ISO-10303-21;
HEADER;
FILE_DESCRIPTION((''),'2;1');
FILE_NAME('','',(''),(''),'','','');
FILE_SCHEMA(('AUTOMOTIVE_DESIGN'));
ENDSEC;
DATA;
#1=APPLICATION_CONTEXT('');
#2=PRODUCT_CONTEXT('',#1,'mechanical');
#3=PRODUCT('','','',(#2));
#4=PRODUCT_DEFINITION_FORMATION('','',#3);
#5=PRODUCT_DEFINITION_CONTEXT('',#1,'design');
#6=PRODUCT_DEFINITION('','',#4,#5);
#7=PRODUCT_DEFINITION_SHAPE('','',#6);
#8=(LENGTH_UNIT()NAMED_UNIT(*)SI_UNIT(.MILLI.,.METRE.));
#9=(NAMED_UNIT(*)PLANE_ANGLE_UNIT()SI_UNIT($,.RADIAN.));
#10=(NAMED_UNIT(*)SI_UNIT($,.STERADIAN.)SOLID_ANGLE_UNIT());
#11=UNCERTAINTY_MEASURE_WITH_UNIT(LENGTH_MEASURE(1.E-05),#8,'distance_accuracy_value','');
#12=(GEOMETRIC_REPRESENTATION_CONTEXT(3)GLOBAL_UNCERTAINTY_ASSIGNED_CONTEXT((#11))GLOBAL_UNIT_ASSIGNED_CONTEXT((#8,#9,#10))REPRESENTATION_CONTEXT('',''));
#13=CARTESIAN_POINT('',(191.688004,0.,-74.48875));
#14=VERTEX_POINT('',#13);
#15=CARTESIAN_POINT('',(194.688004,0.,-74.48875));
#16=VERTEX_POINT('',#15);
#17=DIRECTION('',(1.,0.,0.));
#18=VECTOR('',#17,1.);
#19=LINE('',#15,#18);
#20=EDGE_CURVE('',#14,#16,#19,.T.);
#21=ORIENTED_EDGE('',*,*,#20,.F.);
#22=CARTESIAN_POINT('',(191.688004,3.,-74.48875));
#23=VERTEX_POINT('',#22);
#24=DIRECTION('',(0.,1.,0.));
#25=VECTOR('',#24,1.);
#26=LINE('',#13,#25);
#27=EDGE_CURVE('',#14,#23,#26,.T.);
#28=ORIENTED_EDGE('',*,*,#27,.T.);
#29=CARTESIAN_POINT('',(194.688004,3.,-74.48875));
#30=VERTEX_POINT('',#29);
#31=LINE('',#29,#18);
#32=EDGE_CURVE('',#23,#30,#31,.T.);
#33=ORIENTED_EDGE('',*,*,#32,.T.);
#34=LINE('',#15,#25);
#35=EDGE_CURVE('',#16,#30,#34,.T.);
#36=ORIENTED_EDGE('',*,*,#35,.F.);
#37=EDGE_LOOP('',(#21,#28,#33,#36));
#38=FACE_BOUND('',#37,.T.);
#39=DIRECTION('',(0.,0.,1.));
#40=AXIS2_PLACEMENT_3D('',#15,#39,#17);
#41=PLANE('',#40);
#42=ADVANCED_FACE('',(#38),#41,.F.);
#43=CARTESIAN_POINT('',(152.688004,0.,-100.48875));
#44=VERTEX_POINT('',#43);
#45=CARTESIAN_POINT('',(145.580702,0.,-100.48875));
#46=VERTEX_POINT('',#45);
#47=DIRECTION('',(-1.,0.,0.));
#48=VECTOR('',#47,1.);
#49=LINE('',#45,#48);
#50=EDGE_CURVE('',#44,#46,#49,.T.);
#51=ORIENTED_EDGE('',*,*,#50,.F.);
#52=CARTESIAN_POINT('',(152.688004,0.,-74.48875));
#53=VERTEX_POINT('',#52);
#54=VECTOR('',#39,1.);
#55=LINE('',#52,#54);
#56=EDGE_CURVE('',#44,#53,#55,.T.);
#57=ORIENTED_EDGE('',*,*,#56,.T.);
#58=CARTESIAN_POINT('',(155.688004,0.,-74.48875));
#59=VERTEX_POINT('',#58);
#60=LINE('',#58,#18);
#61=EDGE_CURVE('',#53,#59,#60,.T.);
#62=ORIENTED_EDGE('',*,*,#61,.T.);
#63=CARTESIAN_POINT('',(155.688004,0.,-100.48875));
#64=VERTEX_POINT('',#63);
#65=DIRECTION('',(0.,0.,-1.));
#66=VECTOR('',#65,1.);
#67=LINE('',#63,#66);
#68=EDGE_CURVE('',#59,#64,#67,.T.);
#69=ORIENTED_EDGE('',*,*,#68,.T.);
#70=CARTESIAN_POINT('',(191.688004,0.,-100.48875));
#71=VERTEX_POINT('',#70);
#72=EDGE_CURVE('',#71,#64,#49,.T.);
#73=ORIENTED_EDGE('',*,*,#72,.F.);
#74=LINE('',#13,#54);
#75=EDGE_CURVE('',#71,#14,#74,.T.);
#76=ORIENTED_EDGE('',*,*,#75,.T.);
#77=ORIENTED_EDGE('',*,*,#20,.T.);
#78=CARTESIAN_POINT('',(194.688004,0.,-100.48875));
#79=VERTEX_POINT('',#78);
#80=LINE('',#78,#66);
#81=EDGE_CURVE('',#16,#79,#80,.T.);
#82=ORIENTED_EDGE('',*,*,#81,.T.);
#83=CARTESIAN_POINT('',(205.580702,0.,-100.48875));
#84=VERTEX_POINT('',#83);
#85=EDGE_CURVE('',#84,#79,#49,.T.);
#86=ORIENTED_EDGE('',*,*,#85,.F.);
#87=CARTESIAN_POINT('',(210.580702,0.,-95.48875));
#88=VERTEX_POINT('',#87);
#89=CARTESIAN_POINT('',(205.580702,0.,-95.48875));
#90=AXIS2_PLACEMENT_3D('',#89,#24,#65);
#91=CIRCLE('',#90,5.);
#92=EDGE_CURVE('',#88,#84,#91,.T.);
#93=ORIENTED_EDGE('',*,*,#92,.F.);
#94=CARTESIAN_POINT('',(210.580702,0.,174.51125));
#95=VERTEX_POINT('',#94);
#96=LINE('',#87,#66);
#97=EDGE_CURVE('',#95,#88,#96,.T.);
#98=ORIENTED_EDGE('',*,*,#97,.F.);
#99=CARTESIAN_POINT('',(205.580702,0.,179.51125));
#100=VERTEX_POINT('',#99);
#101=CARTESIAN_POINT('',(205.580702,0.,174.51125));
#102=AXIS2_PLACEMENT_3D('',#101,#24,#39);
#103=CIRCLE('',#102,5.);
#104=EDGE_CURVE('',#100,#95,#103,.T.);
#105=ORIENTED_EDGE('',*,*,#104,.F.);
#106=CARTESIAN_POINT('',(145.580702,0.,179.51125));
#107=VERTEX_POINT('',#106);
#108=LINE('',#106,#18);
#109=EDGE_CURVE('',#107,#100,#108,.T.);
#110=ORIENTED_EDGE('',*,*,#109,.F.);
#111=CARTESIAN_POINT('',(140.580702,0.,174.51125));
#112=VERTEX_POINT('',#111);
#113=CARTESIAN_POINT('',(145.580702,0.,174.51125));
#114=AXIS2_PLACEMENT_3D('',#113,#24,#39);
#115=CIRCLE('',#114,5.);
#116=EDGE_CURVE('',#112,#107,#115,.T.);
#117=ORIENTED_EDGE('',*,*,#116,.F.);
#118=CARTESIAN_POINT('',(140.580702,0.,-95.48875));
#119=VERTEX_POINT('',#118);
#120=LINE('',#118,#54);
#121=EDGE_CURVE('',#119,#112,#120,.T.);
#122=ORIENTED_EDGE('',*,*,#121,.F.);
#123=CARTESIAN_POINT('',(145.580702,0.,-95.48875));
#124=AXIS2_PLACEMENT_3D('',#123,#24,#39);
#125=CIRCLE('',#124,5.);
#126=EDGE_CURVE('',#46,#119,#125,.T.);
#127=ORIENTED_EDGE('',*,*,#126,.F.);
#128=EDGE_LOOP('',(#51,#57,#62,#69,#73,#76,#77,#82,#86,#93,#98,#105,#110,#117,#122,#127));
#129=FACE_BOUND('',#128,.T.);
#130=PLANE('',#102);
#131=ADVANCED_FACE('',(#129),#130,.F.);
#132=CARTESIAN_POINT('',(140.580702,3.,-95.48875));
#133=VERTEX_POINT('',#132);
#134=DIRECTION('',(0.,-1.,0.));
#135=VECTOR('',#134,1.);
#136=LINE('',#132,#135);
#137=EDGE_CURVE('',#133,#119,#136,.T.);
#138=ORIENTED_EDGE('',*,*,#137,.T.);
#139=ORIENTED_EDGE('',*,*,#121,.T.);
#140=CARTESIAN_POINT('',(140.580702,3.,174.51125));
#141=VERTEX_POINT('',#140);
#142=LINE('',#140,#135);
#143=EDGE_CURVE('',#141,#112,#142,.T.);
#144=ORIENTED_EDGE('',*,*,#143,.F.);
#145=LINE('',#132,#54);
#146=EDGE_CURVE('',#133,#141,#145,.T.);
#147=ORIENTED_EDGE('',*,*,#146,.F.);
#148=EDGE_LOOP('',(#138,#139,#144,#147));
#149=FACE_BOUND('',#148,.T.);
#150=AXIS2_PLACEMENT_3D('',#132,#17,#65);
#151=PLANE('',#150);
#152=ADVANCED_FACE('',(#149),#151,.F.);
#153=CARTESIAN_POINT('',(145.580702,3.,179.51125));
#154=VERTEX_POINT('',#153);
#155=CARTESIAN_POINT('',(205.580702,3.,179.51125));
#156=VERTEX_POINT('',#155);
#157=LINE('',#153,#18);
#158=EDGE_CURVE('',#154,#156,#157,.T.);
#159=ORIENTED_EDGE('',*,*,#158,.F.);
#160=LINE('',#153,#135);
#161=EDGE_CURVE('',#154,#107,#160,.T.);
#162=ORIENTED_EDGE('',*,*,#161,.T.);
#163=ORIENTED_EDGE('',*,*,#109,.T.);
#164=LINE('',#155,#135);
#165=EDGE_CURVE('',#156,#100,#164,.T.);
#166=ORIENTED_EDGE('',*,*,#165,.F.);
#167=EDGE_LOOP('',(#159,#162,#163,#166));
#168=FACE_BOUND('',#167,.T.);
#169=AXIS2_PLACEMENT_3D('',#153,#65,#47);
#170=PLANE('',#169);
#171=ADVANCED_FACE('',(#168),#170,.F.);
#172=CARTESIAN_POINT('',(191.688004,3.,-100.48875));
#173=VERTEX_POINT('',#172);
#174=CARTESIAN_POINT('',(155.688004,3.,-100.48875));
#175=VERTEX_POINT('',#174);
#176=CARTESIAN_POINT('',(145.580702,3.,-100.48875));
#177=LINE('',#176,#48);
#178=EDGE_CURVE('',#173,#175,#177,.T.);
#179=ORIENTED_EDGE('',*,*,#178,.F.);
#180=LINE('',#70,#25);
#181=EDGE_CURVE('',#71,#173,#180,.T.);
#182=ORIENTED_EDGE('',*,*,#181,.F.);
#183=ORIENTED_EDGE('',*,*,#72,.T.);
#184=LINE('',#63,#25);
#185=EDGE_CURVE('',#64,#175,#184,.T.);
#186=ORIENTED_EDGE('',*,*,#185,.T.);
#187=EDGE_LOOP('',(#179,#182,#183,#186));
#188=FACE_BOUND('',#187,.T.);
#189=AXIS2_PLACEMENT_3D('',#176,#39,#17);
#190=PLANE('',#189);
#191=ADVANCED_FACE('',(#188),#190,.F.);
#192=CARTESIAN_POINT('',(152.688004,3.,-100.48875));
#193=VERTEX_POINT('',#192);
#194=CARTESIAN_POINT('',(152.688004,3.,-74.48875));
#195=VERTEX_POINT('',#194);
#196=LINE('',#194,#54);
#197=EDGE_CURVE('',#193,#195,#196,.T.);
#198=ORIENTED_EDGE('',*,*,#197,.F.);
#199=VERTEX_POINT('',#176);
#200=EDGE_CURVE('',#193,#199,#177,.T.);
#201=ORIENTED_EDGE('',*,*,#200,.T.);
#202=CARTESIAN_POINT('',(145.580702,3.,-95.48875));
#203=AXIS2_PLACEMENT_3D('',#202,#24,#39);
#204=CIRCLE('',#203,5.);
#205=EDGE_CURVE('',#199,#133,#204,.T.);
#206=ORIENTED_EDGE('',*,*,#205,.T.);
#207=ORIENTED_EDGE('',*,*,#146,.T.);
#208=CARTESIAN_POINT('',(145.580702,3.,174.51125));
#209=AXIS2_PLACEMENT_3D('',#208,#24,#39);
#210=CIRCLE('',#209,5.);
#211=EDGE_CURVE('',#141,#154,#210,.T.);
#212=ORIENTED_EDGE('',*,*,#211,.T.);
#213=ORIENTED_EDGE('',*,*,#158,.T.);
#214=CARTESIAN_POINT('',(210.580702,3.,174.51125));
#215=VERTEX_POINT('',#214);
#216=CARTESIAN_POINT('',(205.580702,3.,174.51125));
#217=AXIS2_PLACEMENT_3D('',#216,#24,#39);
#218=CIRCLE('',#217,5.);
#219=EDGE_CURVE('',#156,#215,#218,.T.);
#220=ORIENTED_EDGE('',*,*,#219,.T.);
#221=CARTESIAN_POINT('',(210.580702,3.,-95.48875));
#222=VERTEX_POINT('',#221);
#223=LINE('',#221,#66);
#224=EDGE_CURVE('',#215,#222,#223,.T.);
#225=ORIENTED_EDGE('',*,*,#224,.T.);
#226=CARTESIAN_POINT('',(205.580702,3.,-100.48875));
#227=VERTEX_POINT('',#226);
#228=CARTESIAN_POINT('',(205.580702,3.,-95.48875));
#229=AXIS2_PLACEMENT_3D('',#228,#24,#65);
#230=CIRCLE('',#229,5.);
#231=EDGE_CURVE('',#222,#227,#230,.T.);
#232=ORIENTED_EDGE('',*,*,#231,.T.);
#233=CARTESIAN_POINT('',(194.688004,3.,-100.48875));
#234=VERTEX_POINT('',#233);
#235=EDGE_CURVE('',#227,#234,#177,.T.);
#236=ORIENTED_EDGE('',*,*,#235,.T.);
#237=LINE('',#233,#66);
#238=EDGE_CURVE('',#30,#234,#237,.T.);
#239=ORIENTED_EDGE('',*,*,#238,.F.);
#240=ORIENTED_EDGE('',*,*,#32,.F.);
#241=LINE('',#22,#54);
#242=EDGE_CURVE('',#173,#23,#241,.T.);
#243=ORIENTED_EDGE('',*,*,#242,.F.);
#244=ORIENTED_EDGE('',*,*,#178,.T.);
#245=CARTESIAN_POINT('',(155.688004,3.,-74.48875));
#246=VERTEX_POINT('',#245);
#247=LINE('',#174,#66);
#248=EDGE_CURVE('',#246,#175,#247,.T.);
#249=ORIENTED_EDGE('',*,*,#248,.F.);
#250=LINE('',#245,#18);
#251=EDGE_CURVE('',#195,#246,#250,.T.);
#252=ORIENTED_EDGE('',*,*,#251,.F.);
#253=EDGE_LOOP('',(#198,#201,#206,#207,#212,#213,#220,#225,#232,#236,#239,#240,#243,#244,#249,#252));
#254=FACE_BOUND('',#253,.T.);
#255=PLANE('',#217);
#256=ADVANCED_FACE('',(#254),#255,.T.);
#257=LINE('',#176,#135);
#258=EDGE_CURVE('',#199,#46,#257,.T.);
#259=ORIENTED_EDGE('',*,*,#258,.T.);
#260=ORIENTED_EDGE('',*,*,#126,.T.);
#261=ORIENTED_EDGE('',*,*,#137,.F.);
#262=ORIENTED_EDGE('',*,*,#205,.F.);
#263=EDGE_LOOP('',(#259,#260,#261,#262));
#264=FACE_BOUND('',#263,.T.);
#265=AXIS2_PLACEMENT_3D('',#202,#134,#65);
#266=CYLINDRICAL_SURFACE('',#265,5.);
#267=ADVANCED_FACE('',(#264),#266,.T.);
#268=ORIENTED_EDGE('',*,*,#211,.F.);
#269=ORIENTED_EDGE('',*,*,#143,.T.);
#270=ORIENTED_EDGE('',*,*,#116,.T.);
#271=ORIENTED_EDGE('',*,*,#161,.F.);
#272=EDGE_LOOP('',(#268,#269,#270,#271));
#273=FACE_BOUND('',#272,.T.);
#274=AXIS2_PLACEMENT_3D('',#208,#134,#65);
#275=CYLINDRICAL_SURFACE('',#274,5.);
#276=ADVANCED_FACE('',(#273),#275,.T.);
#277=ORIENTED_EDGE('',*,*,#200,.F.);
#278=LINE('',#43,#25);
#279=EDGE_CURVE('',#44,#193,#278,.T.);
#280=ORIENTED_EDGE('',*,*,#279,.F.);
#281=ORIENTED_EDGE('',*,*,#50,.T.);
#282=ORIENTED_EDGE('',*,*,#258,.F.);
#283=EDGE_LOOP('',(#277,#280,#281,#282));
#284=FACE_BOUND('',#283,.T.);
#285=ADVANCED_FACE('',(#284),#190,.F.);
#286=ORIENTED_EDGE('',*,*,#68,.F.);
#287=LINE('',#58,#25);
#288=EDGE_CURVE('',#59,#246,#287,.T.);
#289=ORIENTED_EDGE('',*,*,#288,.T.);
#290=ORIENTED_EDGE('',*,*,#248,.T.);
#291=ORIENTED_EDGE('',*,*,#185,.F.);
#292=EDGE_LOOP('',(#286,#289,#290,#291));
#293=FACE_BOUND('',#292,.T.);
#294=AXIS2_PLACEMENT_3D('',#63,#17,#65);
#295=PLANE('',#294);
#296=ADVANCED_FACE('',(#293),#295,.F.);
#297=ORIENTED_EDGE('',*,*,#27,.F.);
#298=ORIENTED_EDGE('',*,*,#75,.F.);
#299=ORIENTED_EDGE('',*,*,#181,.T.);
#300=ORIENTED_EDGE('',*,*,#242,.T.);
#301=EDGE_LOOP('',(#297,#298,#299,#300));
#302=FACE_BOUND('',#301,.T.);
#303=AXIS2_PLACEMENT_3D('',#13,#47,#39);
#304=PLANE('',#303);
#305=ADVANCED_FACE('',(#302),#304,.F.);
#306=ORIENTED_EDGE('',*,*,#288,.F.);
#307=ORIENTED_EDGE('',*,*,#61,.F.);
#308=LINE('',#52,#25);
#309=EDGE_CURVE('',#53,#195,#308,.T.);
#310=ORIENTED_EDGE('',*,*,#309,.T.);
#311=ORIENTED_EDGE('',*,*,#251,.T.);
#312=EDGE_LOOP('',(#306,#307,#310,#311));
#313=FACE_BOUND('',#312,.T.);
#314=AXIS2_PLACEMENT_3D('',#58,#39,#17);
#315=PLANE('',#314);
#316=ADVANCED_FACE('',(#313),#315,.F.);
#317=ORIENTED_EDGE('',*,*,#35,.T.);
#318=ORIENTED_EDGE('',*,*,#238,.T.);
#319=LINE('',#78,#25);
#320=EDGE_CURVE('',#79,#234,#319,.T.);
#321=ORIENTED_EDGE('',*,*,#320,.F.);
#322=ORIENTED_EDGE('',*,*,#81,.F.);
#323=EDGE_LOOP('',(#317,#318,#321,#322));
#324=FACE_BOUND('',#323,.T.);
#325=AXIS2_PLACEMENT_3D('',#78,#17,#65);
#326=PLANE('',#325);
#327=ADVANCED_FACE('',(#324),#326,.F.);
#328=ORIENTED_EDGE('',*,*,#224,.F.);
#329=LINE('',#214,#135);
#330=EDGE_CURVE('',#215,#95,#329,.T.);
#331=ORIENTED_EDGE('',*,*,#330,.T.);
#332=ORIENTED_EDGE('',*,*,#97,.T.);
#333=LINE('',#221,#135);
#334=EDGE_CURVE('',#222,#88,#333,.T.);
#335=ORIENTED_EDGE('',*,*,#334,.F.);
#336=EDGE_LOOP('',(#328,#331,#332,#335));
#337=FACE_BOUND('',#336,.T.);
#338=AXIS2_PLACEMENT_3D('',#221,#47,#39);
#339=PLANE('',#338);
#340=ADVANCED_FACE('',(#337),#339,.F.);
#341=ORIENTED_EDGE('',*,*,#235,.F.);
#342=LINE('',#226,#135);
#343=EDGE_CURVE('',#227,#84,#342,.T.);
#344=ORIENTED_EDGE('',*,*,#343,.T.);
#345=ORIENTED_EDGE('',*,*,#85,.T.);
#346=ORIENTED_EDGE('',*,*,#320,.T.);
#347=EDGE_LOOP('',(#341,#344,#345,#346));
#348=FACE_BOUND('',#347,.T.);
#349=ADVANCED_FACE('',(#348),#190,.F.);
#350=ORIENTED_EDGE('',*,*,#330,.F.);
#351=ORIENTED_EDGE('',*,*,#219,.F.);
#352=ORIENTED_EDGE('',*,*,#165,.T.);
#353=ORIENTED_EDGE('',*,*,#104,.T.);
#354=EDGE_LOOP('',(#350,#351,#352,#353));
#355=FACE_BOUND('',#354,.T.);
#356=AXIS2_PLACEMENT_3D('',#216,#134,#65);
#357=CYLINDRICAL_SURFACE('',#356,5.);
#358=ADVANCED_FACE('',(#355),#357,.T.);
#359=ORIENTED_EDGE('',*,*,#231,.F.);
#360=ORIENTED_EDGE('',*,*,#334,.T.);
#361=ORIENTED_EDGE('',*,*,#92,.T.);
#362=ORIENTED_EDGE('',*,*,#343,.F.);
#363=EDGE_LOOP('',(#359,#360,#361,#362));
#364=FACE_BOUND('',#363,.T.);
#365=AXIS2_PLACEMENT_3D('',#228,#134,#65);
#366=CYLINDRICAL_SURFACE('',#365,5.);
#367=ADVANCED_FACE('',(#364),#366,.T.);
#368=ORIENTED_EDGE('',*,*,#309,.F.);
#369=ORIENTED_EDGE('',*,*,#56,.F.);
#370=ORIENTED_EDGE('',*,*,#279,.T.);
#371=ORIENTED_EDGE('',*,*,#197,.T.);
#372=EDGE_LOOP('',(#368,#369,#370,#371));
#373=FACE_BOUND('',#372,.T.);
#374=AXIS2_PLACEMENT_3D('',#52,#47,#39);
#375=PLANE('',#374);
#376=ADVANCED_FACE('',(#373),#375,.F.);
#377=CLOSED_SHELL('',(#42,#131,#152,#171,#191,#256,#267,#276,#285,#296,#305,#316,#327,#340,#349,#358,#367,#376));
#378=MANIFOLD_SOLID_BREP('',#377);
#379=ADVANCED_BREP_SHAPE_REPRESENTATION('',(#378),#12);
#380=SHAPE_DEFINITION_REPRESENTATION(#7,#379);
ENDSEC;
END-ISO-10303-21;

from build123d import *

# Parameters (mm, degrees)
BOSS_EXTRUDE1_DEPTH = 3
SKETCH2_W           = 3
SKETCH2_H           = 26
CUT_EXTRUDE1_DEPTH  = 4


with BuildPart() as part:
    # Sketch1 → Boss-Extrude1 (new body)
    with BuildSketch(Plane(origin=(0, 0, 0), x_dir=(1, 0, 0), z_dir=(0, 1, 0))):
        with BuildLine():
            Line((145.58070197, 100.48875), (205.58070197, 100.48875))
            ThreePointArc((205.58070197, 100.48875), (209.116235876, 99.024283906), (210.58070197, 95.48875))
            Line((210.58070197, 95.48875), (210.58070197, -174.51125))
            ThreePointArc((210.58070197, -174.51125), (209.116235876, -178.046783906), (205.58070197, -179.51125))
            Line((205.58070197, -179.51125), (145.58070197, -179.51125))
            ThreePointArc((145.58070197, -179.51125), (142.045168065, -178.046783906), (140.58070197, -174.51125))
            Line((140.58070197, -174.51125), (140.58070197, 95.48875))
            ThreePointArc((140.58070197, 95.48875), (142.045168065, 99.024283906), (145.58070197, 100.48875))
        make_face()
    extrude(amount=BOSS_EXTRUDE1_DEPTH)

    # Sketch2 → Cut-Extrude1 (cut, through all)
    with BuildSketch(Plane(origin=(0, 3, 0), x_dir=(1, 0, 0), z_dir=(0, 1, 0))):
        with Locations((154.188003651, 87.48875)):
            Rectangle(SKETCH2_W, SKETCH2_H)
        with Locations((193.188003651, 87.48875)):
            Rectangle(SKETCH2_W, SKETCH2_H)
    extrude(amount=-CUT_EXTRUDE1_DEPTH, mode=Mode.SUBTRACT)


solid = part.part
